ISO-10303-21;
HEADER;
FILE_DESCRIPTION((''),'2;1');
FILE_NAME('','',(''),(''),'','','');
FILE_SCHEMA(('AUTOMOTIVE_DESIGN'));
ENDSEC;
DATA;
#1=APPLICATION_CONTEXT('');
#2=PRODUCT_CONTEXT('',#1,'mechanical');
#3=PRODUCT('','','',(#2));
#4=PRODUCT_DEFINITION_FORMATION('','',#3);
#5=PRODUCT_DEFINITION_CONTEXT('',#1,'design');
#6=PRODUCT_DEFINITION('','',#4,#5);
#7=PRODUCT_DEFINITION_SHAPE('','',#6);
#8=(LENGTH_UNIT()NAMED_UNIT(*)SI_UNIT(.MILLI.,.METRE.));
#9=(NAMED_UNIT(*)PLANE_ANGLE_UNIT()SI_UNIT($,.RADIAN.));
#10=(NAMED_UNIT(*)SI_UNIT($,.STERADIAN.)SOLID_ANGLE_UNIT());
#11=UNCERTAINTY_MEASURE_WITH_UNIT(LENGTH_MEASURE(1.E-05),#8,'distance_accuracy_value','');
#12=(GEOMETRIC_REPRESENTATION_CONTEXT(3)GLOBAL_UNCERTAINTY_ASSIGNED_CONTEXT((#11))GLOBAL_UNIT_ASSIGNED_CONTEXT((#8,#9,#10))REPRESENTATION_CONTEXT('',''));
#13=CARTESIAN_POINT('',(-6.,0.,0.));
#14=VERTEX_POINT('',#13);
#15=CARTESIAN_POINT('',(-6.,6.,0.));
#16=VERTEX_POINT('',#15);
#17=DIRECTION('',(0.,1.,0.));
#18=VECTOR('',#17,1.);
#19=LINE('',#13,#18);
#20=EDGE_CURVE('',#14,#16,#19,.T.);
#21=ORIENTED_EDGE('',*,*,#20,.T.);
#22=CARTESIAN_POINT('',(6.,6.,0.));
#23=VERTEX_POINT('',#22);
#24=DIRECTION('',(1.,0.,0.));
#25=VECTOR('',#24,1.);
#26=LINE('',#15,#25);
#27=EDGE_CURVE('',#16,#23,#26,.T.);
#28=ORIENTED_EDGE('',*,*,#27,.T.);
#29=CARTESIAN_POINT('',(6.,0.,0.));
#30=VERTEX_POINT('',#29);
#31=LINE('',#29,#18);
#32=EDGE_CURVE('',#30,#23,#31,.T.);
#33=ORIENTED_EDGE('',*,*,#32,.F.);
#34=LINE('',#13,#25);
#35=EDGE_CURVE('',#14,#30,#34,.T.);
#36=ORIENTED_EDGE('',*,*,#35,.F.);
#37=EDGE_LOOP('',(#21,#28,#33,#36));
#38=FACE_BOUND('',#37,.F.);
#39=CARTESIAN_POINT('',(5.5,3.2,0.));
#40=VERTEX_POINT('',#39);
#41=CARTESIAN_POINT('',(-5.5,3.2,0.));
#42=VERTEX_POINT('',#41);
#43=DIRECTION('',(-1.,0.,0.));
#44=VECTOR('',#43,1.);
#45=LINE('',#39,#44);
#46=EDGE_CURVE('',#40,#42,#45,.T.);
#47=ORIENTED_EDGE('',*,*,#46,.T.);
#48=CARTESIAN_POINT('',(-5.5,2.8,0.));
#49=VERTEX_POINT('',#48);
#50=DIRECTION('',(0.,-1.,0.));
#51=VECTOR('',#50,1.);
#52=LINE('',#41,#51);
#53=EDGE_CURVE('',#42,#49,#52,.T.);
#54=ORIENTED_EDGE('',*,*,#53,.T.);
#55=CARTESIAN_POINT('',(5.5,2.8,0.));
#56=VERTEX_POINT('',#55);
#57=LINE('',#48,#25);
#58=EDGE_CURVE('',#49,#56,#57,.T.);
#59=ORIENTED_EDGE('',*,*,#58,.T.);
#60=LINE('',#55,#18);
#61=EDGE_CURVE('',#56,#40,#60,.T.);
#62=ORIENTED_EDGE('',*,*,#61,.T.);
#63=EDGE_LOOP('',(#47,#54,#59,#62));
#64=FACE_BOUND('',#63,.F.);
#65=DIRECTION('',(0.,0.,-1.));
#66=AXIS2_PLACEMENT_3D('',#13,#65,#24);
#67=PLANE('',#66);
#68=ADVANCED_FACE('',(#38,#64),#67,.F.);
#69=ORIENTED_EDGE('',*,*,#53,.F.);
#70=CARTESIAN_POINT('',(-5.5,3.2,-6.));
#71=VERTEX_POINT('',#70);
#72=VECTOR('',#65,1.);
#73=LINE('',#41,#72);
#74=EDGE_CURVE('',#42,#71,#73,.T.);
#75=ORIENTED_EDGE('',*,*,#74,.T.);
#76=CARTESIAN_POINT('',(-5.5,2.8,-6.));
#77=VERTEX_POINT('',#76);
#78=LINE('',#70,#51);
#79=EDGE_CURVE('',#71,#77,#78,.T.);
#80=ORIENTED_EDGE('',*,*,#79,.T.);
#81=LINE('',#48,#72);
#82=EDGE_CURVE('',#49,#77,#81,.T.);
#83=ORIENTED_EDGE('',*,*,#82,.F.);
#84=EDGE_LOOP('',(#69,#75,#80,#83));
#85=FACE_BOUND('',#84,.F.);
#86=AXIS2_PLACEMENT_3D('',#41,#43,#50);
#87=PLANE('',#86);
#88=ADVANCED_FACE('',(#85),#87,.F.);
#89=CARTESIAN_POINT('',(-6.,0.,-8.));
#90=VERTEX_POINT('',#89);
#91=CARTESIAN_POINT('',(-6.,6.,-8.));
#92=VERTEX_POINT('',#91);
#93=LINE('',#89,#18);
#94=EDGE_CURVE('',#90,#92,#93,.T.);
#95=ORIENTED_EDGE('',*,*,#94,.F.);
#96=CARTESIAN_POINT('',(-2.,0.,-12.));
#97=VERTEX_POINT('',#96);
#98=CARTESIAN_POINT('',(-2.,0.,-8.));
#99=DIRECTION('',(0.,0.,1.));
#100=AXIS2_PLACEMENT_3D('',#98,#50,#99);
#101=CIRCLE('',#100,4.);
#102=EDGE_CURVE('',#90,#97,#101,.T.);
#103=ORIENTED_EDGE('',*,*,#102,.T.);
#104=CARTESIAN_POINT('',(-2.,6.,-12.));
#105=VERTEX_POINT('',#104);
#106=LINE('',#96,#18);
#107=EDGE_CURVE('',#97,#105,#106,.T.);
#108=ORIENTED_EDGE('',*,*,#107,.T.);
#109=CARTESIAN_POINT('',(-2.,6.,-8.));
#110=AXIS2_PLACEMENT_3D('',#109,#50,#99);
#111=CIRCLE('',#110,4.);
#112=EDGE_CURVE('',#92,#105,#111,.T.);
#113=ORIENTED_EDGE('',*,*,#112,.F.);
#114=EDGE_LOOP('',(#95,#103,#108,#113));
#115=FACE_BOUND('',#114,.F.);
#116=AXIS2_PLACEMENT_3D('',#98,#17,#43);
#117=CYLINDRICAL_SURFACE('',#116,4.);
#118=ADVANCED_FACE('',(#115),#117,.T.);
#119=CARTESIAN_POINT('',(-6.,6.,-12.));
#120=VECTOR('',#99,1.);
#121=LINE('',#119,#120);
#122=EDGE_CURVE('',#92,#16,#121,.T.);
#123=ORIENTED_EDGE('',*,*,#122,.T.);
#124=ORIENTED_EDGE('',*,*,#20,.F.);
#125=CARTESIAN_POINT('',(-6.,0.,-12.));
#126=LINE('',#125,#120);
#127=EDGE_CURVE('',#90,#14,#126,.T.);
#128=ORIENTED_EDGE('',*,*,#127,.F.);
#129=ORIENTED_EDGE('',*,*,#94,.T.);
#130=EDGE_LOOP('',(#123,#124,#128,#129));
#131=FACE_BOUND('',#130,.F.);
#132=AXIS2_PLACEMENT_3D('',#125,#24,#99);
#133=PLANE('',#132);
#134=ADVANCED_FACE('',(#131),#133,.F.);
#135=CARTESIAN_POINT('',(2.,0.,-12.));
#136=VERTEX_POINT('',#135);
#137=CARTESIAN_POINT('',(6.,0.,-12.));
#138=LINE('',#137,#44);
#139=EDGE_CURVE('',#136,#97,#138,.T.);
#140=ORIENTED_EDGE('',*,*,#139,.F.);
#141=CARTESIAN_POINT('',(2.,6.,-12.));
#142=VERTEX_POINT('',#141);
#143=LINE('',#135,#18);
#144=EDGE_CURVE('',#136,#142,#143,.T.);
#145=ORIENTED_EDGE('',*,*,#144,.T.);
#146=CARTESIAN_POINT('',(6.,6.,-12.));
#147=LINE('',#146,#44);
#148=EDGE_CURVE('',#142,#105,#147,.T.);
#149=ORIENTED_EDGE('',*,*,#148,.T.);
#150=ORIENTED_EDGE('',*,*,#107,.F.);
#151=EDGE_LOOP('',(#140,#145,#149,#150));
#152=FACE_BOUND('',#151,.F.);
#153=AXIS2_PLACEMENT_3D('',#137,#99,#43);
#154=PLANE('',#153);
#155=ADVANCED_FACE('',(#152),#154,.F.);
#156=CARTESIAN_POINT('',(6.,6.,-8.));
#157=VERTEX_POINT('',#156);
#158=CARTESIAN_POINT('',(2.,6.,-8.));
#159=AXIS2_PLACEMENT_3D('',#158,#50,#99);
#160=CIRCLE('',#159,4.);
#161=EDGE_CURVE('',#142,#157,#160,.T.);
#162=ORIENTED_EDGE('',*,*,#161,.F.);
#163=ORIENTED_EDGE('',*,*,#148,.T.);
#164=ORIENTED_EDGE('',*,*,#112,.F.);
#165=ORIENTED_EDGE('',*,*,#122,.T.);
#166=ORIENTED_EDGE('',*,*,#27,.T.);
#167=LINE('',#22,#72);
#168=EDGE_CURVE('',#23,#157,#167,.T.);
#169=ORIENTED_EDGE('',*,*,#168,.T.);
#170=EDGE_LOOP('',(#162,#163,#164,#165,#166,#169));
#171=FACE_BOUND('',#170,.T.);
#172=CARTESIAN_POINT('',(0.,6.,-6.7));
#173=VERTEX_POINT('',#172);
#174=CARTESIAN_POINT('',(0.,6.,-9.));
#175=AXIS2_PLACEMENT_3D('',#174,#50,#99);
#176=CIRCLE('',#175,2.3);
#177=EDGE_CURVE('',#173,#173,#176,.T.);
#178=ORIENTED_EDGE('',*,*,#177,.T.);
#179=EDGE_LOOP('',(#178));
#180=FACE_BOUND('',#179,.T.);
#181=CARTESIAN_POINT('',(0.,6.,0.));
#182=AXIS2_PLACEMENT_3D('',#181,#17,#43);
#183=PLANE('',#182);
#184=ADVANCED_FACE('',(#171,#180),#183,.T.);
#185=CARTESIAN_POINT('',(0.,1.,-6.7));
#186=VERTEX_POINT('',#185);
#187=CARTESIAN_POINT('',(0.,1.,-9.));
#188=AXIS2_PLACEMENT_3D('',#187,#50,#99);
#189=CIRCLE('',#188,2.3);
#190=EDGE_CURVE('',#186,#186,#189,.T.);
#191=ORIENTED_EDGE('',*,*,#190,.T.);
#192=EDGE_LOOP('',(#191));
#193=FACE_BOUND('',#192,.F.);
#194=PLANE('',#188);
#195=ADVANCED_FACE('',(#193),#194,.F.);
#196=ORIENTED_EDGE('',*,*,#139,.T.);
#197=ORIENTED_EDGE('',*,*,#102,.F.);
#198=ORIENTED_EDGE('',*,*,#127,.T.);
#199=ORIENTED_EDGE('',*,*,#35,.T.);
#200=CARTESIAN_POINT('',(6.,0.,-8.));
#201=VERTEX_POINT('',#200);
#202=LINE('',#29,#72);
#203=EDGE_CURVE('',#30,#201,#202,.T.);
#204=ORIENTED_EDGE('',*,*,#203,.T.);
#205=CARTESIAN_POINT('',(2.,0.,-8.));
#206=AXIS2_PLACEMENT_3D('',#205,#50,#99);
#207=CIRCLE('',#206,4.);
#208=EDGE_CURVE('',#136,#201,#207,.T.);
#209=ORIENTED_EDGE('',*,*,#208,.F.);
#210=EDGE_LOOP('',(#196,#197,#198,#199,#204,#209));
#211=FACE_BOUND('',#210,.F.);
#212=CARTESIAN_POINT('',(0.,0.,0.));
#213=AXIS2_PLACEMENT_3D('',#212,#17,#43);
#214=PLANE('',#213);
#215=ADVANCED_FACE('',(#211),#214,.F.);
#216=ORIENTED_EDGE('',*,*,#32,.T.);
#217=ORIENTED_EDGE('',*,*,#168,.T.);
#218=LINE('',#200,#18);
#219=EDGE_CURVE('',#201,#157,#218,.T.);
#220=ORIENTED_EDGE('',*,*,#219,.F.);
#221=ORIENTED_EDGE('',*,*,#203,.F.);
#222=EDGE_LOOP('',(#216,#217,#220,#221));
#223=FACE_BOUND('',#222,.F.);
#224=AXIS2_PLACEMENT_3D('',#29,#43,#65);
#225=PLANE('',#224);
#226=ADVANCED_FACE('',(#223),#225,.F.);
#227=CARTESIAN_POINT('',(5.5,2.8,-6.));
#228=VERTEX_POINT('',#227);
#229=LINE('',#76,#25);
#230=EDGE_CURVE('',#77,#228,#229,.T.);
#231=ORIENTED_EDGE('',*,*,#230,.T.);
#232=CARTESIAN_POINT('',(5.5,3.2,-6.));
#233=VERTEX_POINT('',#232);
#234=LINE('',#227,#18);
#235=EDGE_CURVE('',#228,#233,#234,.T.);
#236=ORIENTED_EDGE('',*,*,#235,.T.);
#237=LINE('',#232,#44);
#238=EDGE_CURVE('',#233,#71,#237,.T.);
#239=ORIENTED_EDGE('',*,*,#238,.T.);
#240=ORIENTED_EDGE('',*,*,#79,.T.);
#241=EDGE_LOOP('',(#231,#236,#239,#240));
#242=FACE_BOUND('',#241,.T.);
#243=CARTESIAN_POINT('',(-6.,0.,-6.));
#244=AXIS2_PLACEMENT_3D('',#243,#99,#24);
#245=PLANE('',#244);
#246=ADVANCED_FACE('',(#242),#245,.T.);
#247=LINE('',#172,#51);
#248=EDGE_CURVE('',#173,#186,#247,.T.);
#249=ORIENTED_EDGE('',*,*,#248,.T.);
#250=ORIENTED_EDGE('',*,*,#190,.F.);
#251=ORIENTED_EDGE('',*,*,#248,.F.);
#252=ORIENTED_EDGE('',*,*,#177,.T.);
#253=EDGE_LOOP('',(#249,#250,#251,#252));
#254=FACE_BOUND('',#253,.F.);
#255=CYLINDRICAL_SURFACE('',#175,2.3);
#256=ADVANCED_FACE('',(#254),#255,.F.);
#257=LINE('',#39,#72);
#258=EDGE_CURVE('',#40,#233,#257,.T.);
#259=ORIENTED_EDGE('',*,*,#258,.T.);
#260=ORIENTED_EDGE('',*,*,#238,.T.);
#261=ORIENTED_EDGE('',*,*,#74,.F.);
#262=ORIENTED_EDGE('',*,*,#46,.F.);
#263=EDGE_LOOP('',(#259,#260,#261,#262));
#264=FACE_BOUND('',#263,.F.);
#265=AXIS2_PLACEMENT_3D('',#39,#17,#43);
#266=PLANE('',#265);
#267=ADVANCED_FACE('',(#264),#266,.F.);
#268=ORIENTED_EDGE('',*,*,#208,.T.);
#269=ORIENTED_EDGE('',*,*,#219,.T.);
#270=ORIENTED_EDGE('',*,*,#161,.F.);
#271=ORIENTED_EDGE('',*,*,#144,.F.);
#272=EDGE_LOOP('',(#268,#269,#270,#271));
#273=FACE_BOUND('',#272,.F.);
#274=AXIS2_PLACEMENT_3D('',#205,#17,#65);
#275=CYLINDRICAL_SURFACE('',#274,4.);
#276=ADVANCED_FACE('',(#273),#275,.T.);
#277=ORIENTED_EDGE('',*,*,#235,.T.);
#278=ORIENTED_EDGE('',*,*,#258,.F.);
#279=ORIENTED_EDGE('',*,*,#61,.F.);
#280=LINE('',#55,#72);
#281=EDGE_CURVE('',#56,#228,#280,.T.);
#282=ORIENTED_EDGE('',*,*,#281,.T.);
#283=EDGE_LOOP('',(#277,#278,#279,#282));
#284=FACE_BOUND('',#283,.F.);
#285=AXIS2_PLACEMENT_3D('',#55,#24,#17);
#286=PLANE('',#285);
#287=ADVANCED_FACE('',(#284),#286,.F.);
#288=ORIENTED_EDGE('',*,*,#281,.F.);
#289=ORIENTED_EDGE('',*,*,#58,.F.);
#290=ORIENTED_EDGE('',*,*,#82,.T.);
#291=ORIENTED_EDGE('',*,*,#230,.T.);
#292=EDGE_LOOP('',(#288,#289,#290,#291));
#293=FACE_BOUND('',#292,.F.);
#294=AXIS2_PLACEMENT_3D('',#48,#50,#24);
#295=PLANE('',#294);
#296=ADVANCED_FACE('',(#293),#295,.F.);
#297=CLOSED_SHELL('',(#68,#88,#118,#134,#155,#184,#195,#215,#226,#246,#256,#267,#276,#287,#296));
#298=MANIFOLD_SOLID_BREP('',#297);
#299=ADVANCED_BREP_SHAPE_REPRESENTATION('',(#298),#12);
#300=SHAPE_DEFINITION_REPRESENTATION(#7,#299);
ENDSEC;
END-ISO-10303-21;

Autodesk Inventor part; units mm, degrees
ref_plane "YZ Plane" through (0, 0, 0) normal (1, 0, 0) x (0, 1, 0)
ref_plane "XZ Plane" through (0, 0, 0) normal (0, 1, 0) x (-1, 0, 0)
ref_plane "XY Plane" through (0, 0, 0) normal (0, 0, 1) x (1, 0, 0)
sketch "Sketch1" plane through (0, 0, 0) normal (0, 1, 0) x (-1, 0, 0)
  line L0 (6, 0) -> (-6, 0)
  line L1 (-6, 0) -> (-6, -12)
  line L2 (-6, -12) -> (6, -12)
  line L3 (6, -12) -> (6, 0)
  point P0 (0, 0)
  point P1 (0, 0)
  dimension "d0" = 12
  dimension "d1" = 12
extrude "Extrusion1" add sketch "Sketch1" along normal blind 6
sketch "Sketch2" plane through (0, 6, 0) normal (0, 1, 0) x (1, 0, 0)
  line L0 (6, 12) -> (-6, 12) projected
  line L1 (-6, 0) -> (6, 0) projected
  point P0 (0, 0)
  point P1 (0, 9)
  point P2 (0, 0)
  dimension "d4" = 3
hole "Hole1" at (0, 6, -9) direction (0, -1, 0) diameter 4.6 depth 5
fillet "Fillet1" radius 4 2 edges at (-6, 3, -12) (6, 3, -12)
sketch "Sketch3" plane through (-6, 0, 0) normal (0, 0, 1) x (1, 0, 0)
  line L0 (0.5, 2.8) -> (11.5, 2.8)
  line L1 (11.5, 2.8) -> (11.5, 3.2)
  line L2 (11.5, 3.2) -> (0.5, 3.2)
  line L3 (0.5, 3.2) -> (0.5, 2.8)
  line L4 (0, 0) -> (12, 0) projected
  line L5 (0, 0) -> (0, 6) projected
  point P0 (6, 0)
  point P1 (6, 2.8)
  point P2 (6, 0)
  point P3 (0.5, 3)
  point P4 (0, 3)
  dimension "d13" = 0.4
  dimension "d14" = 11
extrude "Extrusion2" cut sketch "Sketch3" against normal blind 6
properties part number "AUfsatz" material "ABS Plastic"
